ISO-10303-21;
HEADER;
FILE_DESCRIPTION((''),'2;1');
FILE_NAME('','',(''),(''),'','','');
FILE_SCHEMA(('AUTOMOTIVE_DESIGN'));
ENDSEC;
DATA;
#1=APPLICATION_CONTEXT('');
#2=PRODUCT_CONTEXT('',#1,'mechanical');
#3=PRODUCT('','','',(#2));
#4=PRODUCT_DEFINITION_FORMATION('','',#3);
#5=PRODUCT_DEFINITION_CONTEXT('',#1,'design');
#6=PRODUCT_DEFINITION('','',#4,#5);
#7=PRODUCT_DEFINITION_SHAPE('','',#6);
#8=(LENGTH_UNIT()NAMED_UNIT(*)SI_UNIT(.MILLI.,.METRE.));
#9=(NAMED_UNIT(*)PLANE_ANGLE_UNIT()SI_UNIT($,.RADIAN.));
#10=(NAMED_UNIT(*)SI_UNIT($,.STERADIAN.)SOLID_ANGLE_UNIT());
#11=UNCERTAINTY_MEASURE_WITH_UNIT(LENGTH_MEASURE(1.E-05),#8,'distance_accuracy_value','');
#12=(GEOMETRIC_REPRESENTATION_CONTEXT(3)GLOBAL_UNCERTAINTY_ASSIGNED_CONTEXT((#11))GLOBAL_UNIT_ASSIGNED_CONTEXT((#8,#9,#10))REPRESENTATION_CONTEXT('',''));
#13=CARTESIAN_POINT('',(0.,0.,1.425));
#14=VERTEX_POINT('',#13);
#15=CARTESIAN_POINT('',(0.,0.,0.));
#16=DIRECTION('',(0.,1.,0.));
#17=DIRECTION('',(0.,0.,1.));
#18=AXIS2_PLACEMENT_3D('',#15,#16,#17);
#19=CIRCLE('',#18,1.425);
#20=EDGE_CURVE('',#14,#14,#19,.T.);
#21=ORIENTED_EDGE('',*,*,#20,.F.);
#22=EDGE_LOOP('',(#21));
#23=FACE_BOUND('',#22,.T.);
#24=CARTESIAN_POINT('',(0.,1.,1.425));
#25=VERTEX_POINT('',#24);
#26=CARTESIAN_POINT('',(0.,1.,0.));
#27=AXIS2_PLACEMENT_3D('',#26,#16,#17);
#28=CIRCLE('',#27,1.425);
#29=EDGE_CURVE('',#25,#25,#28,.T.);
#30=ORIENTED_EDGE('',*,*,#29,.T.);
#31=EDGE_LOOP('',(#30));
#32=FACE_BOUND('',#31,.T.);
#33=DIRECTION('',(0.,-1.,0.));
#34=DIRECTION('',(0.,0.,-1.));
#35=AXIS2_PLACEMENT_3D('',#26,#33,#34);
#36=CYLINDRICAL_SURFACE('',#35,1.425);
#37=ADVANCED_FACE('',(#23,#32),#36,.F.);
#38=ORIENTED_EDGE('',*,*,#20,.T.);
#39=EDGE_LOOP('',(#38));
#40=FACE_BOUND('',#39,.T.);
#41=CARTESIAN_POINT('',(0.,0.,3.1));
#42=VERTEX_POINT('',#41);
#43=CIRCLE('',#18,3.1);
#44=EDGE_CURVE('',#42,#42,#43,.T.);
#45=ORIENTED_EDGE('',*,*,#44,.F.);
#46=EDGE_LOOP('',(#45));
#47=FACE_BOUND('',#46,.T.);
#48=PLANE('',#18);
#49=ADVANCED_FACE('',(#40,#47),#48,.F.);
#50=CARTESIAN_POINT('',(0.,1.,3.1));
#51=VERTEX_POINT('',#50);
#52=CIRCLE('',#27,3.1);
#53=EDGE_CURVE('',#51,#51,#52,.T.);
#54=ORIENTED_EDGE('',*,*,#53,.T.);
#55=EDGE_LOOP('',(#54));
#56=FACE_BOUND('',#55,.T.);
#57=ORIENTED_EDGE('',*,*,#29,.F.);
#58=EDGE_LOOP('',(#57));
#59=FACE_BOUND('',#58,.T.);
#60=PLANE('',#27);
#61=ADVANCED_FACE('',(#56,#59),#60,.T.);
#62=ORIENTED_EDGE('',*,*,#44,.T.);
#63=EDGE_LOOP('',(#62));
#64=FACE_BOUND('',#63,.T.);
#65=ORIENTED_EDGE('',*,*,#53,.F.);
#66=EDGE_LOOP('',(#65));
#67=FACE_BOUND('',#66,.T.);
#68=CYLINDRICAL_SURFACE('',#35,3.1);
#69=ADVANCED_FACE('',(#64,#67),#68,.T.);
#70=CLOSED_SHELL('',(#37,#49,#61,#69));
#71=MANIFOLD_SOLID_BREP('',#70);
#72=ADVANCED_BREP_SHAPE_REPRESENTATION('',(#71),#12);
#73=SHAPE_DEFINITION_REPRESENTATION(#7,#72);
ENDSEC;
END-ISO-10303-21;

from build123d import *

# Parameters (mm, degrees)
SKETCH1_R           = 3.1
SKETCH1_R_2         = 1.425
BOSS_EXTRUDE1_DEPTH = 1


with BuildPart() as part:
    # Sketch1 → Boss-Extrude1 (new body)
    with BuildSketch(Plane(origin=(0, 0, 0), x_dir=(1, 0, 0), z_dir=(0, 1, 0))):
        with Locations(Location((0, 0, 0), (0, 0, 270))):
            Circle(SKETCH1_R)
        with Locations(Location((0, 0, 0), (0, 0, 270))):
            Circle(SKETCH1_R_2, mode=Mode.SUBTRACT)
    extrude(amount=BOSS_EXTRUDE1_DEPTH)


solid = part.part
